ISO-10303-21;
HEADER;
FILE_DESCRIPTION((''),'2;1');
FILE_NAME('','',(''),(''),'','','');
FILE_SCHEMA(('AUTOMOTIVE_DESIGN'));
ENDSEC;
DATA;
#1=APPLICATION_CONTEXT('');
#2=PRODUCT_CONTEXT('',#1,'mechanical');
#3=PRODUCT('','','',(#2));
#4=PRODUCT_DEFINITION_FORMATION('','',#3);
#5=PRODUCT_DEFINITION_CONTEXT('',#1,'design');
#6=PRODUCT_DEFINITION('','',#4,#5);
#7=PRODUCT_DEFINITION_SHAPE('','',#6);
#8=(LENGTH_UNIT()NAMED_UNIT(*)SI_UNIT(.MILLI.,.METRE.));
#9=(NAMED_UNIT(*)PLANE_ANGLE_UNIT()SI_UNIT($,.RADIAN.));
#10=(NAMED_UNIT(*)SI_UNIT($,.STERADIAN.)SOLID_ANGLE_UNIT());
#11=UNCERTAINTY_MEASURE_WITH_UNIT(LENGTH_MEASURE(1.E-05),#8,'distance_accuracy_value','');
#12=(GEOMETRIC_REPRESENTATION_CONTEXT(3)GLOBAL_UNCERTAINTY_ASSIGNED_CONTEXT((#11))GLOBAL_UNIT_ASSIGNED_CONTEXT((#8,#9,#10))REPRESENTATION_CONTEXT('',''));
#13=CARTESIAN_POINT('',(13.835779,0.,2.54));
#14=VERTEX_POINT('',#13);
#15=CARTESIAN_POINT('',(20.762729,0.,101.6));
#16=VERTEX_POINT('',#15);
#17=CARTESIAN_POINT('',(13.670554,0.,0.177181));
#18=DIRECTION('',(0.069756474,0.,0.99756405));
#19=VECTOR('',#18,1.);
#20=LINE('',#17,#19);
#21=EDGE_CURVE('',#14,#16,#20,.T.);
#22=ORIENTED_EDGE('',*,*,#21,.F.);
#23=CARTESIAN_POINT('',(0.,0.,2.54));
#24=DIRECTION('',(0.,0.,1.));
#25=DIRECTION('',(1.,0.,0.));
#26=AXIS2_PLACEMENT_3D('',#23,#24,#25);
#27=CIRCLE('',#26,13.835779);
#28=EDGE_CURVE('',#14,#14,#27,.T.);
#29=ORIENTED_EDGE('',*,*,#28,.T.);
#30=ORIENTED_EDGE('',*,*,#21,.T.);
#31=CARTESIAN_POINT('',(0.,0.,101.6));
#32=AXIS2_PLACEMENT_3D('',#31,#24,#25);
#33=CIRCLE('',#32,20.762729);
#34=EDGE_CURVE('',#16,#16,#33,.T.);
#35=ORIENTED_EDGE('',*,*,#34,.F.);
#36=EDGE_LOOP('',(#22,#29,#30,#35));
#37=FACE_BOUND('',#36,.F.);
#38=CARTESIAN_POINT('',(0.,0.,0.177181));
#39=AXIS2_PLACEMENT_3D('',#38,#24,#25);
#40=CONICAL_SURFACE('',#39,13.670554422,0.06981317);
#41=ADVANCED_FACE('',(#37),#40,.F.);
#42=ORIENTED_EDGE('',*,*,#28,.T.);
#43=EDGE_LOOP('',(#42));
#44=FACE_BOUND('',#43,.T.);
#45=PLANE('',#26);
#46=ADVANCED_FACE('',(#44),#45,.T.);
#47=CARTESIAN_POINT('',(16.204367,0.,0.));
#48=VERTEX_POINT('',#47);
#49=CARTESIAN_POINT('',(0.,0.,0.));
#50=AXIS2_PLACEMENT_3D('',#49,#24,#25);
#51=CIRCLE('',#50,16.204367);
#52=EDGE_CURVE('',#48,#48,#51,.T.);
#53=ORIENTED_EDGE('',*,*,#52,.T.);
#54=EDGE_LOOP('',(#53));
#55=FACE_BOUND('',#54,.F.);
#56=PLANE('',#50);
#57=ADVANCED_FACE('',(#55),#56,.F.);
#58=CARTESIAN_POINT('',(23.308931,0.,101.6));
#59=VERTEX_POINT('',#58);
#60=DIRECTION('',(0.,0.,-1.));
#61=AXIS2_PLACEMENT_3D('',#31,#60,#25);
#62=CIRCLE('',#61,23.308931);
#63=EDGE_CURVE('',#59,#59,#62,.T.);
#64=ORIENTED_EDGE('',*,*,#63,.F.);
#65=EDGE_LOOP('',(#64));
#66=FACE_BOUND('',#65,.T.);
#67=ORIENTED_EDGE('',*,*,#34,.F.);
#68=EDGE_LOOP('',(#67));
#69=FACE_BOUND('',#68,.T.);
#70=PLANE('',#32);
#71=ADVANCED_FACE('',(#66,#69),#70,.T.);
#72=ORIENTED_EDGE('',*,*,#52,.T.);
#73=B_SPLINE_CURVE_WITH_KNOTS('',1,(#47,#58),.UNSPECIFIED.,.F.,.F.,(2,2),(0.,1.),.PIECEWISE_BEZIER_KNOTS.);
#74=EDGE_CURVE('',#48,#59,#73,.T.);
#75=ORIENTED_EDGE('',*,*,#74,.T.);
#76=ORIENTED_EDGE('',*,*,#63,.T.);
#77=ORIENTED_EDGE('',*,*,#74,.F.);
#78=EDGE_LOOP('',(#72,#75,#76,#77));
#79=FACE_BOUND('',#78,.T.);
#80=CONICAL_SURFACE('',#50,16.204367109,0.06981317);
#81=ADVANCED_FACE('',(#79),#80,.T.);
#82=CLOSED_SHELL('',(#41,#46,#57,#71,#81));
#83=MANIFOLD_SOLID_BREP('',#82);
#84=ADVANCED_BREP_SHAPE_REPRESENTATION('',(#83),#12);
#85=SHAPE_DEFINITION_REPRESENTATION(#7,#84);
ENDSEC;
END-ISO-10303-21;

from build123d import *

# Parameters (mm, degrees)
F0_R     = 16.2043671094
F1_DEPTH = 101.6
F1_TAPER = -4
F2_T     = -2.54


with BuildPart() as f1:
    # F0 (on Top) → F1 (new body)
    with BuildSketch(Plane.XY):
        Circle(F0_R)
    extrude(amount=F1_DEPTH, taper=F1_TAPER)

    # F2
    f2_openings = [f1.faces().sort_by_distance(p)[0] for p in [
        (0, 0, 101.6),
    ]]
    offset(amount=F2_T, openings=f2_openings, kind=Kind.INTERSECTION)


solid = f1.part
